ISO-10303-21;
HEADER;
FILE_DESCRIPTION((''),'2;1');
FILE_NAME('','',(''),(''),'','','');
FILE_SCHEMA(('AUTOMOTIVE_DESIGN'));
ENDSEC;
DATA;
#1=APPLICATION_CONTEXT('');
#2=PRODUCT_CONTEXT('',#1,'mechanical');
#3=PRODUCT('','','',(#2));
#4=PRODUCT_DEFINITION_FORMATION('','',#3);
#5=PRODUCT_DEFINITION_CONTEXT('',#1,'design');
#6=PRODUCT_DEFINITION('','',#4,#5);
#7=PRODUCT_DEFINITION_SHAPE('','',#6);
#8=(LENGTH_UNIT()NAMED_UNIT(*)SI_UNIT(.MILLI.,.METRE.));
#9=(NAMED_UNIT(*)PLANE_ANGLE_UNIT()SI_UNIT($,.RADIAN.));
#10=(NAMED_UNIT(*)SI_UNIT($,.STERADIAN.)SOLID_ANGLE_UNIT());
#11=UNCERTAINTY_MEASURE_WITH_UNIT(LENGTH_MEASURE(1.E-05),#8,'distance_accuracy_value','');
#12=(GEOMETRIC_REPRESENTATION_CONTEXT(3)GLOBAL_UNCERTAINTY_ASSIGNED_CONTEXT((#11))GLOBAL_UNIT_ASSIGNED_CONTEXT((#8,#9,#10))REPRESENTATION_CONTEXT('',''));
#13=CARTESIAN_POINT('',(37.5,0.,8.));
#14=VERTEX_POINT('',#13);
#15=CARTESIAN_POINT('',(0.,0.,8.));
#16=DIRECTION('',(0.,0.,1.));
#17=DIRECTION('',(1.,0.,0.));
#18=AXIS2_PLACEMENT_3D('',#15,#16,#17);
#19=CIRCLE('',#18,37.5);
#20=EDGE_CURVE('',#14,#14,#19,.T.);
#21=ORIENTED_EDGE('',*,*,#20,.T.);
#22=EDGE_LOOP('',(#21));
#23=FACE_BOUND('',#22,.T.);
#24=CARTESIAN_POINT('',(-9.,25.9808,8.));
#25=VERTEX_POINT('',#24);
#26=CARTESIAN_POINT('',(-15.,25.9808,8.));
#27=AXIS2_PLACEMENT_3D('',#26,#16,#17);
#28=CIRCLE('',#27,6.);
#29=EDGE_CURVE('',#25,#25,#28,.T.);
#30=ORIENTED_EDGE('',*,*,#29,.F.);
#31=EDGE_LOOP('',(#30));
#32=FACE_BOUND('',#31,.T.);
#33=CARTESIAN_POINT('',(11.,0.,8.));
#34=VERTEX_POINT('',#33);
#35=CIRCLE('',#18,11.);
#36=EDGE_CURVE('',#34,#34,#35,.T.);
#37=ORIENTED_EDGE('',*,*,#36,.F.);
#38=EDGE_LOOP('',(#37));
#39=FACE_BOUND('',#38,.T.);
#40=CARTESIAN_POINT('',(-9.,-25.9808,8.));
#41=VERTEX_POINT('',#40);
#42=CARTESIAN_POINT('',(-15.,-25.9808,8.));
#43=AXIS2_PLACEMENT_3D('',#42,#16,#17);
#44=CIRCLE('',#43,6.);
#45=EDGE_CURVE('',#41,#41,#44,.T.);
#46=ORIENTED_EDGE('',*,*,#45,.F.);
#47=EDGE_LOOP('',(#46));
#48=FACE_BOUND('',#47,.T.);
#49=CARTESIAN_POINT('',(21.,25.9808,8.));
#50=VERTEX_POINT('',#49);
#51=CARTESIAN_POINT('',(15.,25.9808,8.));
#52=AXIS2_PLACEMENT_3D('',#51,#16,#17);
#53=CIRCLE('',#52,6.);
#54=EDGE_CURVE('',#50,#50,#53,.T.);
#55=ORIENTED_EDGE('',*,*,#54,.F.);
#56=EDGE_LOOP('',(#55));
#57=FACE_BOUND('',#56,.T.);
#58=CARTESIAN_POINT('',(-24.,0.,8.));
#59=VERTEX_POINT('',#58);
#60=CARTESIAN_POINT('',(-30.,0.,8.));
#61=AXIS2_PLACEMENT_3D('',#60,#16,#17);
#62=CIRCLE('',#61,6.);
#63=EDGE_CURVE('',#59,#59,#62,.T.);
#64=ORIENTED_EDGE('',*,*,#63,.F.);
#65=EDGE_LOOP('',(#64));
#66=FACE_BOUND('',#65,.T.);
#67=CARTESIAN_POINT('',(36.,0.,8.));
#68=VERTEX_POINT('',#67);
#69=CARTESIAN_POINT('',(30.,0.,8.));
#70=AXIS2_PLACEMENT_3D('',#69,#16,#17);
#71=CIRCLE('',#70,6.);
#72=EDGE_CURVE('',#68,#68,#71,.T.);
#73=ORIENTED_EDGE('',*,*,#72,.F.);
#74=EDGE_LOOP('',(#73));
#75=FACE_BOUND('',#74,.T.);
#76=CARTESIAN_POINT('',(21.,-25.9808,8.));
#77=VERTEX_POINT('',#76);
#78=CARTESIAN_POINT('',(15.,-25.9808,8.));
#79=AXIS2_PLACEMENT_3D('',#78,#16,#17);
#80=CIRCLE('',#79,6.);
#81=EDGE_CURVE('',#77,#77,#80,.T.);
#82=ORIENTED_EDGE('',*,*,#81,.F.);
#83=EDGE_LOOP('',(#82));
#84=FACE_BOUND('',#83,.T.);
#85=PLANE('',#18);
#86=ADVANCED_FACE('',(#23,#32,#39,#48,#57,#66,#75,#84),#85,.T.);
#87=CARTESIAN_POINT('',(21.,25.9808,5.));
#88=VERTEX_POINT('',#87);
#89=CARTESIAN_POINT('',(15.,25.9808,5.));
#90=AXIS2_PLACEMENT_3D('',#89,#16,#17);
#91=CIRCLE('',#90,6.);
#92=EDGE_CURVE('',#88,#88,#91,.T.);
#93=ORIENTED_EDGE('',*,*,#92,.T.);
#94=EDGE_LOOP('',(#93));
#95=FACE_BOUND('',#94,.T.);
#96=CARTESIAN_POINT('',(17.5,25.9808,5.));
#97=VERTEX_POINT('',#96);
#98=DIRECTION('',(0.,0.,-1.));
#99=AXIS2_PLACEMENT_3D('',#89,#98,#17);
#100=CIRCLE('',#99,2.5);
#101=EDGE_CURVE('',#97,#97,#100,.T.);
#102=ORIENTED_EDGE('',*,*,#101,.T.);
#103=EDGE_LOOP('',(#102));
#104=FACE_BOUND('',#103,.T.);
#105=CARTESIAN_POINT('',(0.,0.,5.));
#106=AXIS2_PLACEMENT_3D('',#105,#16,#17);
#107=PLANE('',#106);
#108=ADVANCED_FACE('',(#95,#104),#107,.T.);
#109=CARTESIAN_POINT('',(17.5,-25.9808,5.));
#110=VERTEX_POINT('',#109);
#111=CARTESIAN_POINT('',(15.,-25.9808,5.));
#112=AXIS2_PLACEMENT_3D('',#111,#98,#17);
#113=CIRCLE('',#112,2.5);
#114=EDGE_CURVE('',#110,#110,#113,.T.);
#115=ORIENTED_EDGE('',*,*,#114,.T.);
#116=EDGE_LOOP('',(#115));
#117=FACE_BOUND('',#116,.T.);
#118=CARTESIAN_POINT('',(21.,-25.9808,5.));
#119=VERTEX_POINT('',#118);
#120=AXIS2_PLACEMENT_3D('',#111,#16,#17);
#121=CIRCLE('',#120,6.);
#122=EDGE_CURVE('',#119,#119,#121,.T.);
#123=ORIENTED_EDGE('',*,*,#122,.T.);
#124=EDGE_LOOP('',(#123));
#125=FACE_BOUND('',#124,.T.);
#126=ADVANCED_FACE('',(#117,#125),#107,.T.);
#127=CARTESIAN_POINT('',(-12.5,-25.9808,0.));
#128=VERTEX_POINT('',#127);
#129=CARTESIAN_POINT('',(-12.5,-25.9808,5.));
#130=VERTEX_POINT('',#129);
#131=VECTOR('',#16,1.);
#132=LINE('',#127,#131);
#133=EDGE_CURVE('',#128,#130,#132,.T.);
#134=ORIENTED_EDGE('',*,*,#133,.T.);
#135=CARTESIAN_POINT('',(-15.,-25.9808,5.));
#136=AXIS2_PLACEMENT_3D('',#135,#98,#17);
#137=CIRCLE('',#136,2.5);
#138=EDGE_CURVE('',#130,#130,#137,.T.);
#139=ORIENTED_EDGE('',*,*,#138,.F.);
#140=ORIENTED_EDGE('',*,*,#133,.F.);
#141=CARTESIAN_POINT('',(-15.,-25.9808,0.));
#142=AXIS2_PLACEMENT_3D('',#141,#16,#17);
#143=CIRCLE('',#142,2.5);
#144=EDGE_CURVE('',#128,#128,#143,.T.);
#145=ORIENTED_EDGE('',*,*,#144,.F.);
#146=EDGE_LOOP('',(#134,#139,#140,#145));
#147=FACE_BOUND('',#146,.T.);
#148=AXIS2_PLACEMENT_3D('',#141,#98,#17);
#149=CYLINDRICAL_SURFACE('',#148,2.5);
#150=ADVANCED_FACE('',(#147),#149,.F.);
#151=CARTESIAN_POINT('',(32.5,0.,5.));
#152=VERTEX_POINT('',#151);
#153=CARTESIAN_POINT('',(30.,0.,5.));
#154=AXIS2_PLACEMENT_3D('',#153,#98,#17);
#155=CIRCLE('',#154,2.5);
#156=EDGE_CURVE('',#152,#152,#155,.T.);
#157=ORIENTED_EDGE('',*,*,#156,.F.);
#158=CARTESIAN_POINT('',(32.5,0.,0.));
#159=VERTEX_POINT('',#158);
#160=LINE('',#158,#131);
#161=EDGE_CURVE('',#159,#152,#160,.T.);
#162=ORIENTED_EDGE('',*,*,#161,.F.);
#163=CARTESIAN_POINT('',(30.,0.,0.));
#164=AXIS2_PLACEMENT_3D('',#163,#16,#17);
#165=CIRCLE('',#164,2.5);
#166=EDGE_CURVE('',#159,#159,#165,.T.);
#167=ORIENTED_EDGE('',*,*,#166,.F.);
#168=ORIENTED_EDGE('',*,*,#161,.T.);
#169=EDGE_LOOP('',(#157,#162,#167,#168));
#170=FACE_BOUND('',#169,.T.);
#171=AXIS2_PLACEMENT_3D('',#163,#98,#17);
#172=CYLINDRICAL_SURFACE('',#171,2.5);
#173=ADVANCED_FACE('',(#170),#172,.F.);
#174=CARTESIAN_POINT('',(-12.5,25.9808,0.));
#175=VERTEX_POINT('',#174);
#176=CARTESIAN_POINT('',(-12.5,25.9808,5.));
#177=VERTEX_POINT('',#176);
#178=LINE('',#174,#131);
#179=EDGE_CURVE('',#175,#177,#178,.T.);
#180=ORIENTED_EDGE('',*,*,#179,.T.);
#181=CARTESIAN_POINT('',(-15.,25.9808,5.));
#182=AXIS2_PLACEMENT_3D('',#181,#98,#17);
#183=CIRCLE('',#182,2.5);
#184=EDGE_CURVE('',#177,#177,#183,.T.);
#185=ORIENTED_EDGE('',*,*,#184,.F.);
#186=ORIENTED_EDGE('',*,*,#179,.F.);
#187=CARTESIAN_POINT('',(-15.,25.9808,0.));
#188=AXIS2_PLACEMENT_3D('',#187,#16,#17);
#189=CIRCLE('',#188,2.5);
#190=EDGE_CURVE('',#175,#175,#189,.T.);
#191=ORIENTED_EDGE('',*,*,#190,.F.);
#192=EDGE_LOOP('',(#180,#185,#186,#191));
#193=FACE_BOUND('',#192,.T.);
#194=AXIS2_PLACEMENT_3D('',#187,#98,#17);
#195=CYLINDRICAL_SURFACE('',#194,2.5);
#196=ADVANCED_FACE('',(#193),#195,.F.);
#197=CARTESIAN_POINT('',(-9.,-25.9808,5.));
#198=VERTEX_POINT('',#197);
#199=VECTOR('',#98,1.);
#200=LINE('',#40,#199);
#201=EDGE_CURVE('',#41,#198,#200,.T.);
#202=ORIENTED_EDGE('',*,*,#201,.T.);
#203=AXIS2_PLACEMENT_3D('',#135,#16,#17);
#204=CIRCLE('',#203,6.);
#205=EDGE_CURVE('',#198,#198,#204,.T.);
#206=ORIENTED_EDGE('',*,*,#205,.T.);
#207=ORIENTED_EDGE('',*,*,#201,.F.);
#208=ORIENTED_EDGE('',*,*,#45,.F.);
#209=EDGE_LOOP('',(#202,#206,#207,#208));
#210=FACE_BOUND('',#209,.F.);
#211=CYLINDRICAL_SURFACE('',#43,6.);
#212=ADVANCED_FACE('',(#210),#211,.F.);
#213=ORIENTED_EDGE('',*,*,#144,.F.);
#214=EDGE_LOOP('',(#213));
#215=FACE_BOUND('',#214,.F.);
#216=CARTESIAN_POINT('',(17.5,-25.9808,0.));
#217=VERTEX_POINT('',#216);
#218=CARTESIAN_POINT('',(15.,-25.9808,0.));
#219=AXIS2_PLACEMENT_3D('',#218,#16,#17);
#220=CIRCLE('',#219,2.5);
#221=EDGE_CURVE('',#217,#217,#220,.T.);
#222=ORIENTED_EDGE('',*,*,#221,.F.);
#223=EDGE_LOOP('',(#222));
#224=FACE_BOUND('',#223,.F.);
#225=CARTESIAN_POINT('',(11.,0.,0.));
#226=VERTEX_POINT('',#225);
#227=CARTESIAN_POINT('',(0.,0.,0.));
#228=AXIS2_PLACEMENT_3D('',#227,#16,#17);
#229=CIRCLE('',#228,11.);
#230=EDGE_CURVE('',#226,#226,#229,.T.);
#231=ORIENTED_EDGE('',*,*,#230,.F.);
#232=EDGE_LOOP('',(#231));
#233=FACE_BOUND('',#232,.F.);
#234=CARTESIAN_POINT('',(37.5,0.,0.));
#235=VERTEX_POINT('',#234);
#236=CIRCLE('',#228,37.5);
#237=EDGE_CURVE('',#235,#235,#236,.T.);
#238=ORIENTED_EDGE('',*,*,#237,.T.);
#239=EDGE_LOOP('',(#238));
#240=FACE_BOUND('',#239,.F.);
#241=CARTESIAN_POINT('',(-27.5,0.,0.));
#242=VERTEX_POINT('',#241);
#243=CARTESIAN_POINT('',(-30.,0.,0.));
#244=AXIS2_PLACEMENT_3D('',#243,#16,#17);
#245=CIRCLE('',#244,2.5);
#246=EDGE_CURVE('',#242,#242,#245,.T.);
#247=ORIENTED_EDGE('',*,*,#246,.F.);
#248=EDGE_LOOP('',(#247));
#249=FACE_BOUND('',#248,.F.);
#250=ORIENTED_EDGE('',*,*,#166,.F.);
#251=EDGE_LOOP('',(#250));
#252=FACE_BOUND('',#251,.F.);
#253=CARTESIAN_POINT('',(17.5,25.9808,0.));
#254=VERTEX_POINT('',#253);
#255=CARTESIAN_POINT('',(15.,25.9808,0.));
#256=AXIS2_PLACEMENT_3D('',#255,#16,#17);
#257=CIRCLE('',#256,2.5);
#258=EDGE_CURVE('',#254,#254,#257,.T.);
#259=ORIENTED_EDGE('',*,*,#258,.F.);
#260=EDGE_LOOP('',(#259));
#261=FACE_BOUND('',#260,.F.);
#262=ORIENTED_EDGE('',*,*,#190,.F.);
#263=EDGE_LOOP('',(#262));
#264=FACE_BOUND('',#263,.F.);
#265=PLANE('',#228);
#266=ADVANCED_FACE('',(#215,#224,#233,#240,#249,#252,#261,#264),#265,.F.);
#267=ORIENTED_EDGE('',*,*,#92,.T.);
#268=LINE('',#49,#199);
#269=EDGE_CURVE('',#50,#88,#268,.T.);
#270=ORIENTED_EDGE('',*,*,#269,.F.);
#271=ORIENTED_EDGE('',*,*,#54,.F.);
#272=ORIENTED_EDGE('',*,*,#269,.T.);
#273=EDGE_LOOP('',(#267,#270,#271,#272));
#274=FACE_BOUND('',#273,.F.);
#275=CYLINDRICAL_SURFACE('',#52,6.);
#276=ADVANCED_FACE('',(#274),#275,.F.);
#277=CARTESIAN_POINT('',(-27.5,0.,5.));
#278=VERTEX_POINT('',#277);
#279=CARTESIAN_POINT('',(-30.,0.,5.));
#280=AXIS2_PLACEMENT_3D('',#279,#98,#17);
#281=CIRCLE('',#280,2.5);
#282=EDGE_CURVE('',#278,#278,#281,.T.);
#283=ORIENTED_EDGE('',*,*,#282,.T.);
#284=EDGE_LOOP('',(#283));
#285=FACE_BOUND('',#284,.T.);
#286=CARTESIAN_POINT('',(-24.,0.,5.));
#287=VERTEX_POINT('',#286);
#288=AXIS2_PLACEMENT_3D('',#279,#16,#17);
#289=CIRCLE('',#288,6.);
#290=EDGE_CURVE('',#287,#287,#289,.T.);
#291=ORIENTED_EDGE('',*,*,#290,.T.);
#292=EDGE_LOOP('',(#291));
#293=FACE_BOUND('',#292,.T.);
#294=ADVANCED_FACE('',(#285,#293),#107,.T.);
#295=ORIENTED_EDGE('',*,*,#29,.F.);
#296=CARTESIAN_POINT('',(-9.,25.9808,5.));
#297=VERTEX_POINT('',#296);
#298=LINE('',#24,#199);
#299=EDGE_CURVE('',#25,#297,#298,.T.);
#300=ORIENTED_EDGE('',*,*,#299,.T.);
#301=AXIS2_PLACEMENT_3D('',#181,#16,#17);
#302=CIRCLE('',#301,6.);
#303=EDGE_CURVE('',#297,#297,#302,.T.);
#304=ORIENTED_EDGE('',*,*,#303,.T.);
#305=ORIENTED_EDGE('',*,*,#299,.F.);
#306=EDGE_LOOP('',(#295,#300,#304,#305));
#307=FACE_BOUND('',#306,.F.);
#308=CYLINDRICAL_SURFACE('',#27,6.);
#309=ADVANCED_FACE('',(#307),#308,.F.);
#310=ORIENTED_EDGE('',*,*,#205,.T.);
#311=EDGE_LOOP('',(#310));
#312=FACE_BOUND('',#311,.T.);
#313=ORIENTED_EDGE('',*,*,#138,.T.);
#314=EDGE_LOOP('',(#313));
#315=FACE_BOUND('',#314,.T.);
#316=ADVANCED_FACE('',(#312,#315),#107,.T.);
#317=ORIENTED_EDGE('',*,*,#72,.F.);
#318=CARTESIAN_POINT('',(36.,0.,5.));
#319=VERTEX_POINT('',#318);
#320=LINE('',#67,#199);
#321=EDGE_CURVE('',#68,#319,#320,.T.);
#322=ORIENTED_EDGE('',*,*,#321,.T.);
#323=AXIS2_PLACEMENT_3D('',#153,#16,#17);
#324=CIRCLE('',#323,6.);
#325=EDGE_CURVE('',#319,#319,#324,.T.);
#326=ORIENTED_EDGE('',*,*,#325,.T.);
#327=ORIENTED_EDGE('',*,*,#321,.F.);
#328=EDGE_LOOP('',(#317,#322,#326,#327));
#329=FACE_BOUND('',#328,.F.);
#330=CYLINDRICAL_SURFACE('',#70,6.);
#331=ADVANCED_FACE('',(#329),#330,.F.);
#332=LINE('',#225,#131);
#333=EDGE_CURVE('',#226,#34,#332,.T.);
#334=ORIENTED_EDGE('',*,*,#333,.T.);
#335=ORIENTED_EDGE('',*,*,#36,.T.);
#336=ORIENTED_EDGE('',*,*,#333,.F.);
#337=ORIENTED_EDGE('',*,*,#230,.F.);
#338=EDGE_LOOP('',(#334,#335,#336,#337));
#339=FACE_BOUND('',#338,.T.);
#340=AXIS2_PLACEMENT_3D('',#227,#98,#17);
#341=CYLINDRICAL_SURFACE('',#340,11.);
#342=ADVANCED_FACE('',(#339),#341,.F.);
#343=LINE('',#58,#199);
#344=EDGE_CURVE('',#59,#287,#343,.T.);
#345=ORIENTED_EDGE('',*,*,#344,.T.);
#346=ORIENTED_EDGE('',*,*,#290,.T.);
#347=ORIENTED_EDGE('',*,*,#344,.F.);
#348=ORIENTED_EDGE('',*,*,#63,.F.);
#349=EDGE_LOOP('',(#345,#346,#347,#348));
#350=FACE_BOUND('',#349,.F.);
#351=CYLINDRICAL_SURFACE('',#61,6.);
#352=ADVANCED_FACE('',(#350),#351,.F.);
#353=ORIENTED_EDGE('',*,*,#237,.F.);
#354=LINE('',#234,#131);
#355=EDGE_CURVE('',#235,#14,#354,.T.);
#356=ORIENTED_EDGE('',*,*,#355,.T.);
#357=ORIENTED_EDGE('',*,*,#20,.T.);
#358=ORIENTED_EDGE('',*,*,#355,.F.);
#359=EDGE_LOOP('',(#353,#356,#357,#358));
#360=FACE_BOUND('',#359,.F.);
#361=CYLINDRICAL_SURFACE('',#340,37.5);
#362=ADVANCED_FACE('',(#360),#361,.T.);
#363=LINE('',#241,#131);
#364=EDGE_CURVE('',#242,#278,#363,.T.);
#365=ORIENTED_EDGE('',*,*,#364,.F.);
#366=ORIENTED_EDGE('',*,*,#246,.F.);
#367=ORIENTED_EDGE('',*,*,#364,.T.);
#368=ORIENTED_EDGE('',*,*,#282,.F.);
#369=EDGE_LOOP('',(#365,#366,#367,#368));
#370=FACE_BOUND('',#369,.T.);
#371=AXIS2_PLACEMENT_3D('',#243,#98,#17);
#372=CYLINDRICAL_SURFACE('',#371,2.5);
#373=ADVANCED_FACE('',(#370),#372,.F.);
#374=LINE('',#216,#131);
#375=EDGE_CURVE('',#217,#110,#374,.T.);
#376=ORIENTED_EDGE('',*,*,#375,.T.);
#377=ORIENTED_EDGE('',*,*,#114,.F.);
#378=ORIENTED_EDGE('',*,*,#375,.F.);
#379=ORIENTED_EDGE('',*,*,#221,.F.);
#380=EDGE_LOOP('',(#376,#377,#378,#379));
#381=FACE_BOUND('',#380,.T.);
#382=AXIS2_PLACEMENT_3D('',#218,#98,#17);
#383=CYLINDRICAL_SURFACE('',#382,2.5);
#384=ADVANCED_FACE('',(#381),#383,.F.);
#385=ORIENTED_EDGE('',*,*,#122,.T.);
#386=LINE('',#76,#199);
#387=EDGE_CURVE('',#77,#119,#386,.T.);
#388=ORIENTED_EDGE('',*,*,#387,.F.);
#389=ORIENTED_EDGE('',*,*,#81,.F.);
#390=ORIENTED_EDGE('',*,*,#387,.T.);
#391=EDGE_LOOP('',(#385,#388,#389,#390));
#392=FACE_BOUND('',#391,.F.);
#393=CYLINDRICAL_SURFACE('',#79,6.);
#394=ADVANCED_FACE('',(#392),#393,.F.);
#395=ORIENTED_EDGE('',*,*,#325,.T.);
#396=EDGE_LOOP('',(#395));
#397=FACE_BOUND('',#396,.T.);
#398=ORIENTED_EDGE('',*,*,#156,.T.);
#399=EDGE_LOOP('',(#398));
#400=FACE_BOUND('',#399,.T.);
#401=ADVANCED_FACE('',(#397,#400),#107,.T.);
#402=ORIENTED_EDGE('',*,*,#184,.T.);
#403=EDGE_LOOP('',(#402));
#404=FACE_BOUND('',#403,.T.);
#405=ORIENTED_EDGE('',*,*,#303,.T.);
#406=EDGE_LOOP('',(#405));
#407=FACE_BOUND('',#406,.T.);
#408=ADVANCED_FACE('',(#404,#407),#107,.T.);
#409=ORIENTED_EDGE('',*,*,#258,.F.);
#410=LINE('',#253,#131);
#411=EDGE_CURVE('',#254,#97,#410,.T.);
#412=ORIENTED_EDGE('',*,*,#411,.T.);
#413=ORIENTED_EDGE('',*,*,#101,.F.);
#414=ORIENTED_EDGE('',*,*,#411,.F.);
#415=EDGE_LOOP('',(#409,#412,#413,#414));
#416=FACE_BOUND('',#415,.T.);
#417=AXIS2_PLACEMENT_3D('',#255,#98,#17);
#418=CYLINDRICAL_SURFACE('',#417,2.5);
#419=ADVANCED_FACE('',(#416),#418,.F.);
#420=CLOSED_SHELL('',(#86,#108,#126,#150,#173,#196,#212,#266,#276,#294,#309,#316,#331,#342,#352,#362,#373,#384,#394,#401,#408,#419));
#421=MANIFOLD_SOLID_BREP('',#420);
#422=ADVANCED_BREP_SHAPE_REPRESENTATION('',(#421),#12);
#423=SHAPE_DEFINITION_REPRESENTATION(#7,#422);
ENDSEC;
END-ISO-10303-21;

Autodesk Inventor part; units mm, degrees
ref_plane "YZ Plane" through (0, 0, 0) normal (1, 0, 0) x (0, 1, 0)
ref_plane "XZ Plane" through (0, 0, 0) normal (0, 1, 0) x (-1, 0, 0)
ref_plane "XY Plane" through (0, 0, 0) normal (0, 0, 1) x (1, 0, 0)
sketch "Sketch8" plane through (0, 0, 0) normal (0, 0, 1) x (1, 0, 0)
  circle A0 centre (30, 0) radius 2.5
  circle A1 centre (15, 25.9808) radius 2.5
  circle A2 centre (-15, 25.9808) radius 2.5
  circle A3 centre (-30, 0) radius 2.5
  circle A4 centre (-15, -25.9808) radius 2.5
  circle A5 centre (15, -25.9808) radius 2.5
  circle A6 centre (0, 0) radius 37.5
  circle A7 centre (0, 0) radius 11
  dimension "d53" = 5
  dimension "d54" = 30
  dimension "d57" = 360
  dimension "d59" = 75
  dimension "d60" = 22
extrude "Extrusion8" add sketch "Sketch8" along normal blind 8
sketch "Sketch9" plane through (0, 0, 8) normal (0, 0, 1) x (1, 0, 0)
  circle A0 centre (-15, 25.9808) radius 2.5 projected
  circle A1 centre (15, 25.9808) radius 2.5 projected
  circle A2 centre (30, 0) radius 2.5 projected
  circle A3 centre (15, -25.9808) radius 2.5 projected
  circle A4 centre (-15, -25.9808) radius 2.5 projected
  circle A5 centre (-30, 0) radius 2.5 projected
  circle A6 centre (-15, 25.9808) radius 2.5 projected
  circle A7 centre (-15, 25.9808) radius 6
  circle A8 centre (-30, 0) radius 6
  circle A9 centre (-15, -25.9808) radius 6
  circle A10 centre (15, -25.9808) radius 6
  circle A11 centre (30, 0) radius 6
  circle A12 centre (15, 25.9808) radius 6
  point P0 (0, 0)
  dimension "d63" = 12
  dimension "d66" = 360
extrude "Extrusion9" cut sketch "Sketch9" against normal blind 3 contours A0 | A1 | A2 | A3 | A4 | A5 | A7 | A8 | A9 | A10 | A11 | A12
properties part number "BA007" material "ABS Plastic"
